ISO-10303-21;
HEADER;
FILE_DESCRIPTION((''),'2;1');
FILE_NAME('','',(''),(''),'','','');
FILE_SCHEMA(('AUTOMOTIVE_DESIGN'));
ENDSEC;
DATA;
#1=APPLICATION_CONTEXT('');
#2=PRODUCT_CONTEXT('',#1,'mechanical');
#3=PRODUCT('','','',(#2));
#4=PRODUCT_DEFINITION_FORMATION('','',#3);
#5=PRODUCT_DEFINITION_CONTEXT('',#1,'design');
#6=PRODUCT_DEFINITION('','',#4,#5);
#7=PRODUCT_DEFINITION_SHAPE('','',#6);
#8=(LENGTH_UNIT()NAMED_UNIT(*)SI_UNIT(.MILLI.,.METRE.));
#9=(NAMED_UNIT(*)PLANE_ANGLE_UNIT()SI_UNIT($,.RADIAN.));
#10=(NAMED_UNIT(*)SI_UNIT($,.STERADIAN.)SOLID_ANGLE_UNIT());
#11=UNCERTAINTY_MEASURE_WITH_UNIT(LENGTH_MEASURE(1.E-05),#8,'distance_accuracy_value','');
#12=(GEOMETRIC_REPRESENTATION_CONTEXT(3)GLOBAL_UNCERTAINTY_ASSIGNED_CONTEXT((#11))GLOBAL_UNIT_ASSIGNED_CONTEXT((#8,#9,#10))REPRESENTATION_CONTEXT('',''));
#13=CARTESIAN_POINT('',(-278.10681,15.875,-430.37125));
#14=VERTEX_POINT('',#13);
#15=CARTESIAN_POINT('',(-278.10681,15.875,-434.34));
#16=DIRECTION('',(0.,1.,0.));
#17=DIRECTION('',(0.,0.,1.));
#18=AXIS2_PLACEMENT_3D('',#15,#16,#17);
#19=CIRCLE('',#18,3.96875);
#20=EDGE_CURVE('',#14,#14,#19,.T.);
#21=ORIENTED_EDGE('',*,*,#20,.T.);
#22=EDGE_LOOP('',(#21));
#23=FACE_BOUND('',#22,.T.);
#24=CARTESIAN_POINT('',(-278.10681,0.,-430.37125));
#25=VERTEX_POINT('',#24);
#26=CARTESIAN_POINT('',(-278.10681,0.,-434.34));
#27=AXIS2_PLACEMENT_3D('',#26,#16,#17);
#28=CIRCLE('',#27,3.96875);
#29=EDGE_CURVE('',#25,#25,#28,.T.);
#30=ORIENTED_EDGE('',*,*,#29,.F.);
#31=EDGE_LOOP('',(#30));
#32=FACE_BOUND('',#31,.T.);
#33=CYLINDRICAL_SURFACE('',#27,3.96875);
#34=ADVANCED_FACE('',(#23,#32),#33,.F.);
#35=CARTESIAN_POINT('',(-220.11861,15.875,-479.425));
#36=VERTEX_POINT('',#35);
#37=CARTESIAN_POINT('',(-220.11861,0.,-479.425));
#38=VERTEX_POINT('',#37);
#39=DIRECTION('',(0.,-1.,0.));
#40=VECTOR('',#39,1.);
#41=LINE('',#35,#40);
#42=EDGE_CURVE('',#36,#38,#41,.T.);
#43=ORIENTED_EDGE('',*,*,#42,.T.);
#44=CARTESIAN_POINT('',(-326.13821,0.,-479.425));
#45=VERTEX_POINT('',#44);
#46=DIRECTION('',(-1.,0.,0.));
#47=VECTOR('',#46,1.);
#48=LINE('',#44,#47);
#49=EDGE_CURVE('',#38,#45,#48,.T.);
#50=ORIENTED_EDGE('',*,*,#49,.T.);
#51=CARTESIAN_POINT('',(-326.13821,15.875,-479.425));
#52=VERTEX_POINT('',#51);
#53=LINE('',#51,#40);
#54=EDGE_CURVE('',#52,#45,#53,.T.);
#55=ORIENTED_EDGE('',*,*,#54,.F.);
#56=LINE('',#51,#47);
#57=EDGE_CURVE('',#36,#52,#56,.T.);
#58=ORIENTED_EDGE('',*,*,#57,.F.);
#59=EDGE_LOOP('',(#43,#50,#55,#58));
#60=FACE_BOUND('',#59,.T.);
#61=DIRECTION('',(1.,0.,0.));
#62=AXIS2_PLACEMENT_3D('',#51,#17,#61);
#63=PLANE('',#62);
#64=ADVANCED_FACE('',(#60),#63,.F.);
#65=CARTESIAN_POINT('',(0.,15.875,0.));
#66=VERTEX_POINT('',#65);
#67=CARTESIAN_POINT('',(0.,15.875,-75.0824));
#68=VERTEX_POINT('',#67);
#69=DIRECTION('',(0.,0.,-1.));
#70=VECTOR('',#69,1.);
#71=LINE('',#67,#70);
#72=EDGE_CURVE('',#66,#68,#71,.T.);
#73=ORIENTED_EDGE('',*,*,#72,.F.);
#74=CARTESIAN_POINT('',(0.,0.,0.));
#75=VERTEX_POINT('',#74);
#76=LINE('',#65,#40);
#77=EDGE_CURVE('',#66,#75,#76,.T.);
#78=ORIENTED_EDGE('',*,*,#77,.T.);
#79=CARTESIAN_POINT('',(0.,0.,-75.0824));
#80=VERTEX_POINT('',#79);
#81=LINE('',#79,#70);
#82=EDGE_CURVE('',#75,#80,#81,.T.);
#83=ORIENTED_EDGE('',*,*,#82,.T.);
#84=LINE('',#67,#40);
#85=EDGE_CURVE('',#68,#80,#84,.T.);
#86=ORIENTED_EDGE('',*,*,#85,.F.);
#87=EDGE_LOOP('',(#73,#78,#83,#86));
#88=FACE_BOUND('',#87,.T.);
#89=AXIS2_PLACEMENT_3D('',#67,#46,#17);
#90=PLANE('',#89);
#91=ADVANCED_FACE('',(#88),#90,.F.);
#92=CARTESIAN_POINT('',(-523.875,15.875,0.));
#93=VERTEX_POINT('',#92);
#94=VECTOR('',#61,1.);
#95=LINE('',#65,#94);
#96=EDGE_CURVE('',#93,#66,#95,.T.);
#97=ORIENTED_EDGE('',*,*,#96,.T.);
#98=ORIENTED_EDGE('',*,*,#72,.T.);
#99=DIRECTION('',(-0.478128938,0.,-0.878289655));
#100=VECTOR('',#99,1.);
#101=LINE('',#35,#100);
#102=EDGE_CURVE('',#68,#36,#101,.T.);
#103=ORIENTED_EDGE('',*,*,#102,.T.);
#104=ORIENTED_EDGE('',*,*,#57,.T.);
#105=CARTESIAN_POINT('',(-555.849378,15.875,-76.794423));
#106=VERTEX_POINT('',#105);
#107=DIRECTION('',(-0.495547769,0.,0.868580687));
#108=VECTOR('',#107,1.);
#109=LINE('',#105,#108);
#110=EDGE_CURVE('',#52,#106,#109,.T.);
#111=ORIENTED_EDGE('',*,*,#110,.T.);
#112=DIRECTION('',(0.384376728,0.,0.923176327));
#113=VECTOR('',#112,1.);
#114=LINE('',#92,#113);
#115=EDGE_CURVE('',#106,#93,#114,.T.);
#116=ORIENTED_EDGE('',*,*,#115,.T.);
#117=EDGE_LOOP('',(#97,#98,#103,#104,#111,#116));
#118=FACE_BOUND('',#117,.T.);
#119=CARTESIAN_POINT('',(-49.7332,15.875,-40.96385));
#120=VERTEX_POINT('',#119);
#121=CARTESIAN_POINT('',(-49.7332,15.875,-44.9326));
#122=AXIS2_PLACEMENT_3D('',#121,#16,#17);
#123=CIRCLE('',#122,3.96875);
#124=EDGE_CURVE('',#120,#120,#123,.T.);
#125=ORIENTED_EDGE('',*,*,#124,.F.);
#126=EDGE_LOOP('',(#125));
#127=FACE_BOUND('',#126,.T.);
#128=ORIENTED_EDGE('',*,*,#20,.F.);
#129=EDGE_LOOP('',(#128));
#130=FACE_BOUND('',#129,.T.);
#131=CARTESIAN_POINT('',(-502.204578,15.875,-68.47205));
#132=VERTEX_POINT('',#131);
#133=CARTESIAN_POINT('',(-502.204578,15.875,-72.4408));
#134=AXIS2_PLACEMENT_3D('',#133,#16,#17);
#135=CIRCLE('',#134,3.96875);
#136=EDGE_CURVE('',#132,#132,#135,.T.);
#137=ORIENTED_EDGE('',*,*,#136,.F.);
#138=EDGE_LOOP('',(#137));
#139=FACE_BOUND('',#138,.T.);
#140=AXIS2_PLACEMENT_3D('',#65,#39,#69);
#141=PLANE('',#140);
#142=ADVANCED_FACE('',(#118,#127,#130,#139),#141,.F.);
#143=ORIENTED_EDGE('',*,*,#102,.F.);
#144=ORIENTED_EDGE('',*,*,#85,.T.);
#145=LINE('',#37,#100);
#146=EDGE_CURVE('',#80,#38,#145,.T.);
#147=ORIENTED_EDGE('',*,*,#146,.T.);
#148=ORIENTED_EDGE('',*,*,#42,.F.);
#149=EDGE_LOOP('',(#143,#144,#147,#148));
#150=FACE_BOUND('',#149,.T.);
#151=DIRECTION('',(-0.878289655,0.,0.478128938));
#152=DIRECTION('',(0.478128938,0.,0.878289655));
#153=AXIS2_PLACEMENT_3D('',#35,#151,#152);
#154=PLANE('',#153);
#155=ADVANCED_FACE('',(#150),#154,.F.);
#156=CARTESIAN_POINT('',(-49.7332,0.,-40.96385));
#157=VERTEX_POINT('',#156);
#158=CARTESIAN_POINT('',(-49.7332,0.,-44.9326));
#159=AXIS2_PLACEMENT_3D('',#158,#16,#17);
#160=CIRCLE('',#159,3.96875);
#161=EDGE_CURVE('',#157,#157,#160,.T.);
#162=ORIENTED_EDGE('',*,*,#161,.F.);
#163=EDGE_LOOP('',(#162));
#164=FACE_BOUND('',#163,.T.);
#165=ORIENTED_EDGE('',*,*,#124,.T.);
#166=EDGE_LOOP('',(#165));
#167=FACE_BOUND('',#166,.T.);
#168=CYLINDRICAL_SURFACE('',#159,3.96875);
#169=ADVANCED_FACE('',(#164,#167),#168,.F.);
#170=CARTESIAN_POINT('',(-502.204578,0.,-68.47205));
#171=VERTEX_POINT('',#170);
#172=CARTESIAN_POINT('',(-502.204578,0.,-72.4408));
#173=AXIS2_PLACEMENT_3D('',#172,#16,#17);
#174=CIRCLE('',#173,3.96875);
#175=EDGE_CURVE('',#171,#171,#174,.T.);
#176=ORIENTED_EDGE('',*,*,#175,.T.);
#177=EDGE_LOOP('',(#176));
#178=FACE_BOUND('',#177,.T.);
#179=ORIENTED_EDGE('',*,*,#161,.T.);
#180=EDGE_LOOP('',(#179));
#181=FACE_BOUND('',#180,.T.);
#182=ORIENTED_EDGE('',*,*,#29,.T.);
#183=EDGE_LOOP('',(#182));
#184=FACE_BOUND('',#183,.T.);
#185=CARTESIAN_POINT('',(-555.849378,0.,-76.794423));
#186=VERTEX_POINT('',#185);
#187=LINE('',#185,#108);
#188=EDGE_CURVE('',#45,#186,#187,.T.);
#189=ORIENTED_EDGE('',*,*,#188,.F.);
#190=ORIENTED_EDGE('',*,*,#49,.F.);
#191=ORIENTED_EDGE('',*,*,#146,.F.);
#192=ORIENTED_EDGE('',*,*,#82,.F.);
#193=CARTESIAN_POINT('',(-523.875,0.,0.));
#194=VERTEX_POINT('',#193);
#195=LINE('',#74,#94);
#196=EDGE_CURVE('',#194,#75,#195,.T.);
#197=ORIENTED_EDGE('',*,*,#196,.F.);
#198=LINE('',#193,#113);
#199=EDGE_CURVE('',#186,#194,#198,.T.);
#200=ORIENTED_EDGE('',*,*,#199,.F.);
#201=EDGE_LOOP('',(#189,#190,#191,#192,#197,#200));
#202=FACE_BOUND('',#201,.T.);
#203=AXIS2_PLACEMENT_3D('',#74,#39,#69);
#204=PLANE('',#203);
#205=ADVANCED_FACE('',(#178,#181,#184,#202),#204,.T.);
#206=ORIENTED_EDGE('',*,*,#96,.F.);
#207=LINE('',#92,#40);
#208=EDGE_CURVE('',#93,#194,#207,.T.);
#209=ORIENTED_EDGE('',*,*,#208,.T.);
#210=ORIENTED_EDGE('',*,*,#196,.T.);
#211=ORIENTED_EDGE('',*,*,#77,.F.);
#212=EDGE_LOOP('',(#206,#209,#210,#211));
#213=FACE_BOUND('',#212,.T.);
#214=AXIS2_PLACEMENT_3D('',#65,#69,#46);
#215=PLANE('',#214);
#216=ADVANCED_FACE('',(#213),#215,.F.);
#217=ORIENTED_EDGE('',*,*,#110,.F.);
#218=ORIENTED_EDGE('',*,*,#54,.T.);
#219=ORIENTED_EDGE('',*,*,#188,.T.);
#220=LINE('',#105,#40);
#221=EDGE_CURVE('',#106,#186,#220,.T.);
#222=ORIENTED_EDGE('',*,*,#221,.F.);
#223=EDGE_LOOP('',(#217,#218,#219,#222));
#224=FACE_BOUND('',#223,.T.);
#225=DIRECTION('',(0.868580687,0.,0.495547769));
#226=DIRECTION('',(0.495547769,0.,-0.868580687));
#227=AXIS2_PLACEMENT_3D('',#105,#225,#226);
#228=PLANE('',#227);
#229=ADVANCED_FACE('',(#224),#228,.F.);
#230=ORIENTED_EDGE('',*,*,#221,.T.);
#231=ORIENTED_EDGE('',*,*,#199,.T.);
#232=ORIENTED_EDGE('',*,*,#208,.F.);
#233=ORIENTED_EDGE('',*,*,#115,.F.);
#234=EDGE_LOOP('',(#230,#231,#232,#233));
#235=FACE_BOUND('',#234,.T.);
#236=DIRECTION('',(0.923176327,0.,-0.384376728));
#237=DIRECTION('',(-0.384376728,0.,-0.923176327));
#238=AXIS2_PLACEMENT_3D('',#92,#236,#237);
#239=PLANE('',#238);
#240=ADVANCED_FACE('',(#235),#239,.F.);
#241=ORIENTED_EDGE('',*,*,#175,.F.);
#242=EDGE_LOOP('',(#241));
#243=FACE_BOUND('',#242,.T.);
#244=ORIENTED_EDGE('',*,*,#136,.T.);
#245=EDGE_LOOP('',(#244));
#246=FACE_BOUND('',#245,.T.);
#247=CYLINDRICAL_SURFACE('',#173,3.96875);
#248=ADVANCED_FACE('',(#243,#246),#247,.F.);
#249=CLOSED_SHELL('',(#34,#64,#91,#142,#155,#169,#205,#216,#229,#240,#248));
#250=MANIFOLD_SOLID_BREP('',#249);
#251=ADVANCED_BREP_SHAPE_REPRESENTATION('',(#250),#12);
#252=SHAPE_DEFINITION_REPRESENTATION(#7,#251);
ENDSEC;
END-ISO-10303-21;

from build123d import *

# Parameters (mm, degrees)
BOSS_EXTRUDE1_DEPTH = 15.875
SKETCH2_R           = 3.96875
CUT_EXTRUDE1_DEPTH  = 16.875


with BuildPart() as part:
    # Sketch1 → Boss-Extrude1 (new body)
    with BuildSketch(Plane(origin=(0, 0, 0), x_dir=(1, 0, 0), z_dir=(0, 1, 0))):
        Polygon((0, 0), (-523.875, 0), (-555.849378124, 76.79442277), (-326.138209959, 479.425), (-220.118609959, 479.425), (0, 75.0824), align=None)
    extrude(amount=BOSS_EXTRUDE1_DEPTH)

    # Sketch2 → Cut-Extrude1 (cut, through all)
    with BuildSketch(Plane(origin=(0, 15.875, 0), x_dir=(1, 0, 0), z_dir=(0, 1, 0))):
        with Locations((-278.106809959, 434.34)):
            Circle(SKETCH2_R)
        with Locations((-502.204578124, 72.4408)):
            Circle(SKETCH2_R)
        with Locations((-49.7332, 44.9326)):
            Circle(SKETCH2_R)
    extrude(amount=-CUT_EXTRUDE1_DEPTH, mode=Mode.SUBTRACT)


solid = part.part
